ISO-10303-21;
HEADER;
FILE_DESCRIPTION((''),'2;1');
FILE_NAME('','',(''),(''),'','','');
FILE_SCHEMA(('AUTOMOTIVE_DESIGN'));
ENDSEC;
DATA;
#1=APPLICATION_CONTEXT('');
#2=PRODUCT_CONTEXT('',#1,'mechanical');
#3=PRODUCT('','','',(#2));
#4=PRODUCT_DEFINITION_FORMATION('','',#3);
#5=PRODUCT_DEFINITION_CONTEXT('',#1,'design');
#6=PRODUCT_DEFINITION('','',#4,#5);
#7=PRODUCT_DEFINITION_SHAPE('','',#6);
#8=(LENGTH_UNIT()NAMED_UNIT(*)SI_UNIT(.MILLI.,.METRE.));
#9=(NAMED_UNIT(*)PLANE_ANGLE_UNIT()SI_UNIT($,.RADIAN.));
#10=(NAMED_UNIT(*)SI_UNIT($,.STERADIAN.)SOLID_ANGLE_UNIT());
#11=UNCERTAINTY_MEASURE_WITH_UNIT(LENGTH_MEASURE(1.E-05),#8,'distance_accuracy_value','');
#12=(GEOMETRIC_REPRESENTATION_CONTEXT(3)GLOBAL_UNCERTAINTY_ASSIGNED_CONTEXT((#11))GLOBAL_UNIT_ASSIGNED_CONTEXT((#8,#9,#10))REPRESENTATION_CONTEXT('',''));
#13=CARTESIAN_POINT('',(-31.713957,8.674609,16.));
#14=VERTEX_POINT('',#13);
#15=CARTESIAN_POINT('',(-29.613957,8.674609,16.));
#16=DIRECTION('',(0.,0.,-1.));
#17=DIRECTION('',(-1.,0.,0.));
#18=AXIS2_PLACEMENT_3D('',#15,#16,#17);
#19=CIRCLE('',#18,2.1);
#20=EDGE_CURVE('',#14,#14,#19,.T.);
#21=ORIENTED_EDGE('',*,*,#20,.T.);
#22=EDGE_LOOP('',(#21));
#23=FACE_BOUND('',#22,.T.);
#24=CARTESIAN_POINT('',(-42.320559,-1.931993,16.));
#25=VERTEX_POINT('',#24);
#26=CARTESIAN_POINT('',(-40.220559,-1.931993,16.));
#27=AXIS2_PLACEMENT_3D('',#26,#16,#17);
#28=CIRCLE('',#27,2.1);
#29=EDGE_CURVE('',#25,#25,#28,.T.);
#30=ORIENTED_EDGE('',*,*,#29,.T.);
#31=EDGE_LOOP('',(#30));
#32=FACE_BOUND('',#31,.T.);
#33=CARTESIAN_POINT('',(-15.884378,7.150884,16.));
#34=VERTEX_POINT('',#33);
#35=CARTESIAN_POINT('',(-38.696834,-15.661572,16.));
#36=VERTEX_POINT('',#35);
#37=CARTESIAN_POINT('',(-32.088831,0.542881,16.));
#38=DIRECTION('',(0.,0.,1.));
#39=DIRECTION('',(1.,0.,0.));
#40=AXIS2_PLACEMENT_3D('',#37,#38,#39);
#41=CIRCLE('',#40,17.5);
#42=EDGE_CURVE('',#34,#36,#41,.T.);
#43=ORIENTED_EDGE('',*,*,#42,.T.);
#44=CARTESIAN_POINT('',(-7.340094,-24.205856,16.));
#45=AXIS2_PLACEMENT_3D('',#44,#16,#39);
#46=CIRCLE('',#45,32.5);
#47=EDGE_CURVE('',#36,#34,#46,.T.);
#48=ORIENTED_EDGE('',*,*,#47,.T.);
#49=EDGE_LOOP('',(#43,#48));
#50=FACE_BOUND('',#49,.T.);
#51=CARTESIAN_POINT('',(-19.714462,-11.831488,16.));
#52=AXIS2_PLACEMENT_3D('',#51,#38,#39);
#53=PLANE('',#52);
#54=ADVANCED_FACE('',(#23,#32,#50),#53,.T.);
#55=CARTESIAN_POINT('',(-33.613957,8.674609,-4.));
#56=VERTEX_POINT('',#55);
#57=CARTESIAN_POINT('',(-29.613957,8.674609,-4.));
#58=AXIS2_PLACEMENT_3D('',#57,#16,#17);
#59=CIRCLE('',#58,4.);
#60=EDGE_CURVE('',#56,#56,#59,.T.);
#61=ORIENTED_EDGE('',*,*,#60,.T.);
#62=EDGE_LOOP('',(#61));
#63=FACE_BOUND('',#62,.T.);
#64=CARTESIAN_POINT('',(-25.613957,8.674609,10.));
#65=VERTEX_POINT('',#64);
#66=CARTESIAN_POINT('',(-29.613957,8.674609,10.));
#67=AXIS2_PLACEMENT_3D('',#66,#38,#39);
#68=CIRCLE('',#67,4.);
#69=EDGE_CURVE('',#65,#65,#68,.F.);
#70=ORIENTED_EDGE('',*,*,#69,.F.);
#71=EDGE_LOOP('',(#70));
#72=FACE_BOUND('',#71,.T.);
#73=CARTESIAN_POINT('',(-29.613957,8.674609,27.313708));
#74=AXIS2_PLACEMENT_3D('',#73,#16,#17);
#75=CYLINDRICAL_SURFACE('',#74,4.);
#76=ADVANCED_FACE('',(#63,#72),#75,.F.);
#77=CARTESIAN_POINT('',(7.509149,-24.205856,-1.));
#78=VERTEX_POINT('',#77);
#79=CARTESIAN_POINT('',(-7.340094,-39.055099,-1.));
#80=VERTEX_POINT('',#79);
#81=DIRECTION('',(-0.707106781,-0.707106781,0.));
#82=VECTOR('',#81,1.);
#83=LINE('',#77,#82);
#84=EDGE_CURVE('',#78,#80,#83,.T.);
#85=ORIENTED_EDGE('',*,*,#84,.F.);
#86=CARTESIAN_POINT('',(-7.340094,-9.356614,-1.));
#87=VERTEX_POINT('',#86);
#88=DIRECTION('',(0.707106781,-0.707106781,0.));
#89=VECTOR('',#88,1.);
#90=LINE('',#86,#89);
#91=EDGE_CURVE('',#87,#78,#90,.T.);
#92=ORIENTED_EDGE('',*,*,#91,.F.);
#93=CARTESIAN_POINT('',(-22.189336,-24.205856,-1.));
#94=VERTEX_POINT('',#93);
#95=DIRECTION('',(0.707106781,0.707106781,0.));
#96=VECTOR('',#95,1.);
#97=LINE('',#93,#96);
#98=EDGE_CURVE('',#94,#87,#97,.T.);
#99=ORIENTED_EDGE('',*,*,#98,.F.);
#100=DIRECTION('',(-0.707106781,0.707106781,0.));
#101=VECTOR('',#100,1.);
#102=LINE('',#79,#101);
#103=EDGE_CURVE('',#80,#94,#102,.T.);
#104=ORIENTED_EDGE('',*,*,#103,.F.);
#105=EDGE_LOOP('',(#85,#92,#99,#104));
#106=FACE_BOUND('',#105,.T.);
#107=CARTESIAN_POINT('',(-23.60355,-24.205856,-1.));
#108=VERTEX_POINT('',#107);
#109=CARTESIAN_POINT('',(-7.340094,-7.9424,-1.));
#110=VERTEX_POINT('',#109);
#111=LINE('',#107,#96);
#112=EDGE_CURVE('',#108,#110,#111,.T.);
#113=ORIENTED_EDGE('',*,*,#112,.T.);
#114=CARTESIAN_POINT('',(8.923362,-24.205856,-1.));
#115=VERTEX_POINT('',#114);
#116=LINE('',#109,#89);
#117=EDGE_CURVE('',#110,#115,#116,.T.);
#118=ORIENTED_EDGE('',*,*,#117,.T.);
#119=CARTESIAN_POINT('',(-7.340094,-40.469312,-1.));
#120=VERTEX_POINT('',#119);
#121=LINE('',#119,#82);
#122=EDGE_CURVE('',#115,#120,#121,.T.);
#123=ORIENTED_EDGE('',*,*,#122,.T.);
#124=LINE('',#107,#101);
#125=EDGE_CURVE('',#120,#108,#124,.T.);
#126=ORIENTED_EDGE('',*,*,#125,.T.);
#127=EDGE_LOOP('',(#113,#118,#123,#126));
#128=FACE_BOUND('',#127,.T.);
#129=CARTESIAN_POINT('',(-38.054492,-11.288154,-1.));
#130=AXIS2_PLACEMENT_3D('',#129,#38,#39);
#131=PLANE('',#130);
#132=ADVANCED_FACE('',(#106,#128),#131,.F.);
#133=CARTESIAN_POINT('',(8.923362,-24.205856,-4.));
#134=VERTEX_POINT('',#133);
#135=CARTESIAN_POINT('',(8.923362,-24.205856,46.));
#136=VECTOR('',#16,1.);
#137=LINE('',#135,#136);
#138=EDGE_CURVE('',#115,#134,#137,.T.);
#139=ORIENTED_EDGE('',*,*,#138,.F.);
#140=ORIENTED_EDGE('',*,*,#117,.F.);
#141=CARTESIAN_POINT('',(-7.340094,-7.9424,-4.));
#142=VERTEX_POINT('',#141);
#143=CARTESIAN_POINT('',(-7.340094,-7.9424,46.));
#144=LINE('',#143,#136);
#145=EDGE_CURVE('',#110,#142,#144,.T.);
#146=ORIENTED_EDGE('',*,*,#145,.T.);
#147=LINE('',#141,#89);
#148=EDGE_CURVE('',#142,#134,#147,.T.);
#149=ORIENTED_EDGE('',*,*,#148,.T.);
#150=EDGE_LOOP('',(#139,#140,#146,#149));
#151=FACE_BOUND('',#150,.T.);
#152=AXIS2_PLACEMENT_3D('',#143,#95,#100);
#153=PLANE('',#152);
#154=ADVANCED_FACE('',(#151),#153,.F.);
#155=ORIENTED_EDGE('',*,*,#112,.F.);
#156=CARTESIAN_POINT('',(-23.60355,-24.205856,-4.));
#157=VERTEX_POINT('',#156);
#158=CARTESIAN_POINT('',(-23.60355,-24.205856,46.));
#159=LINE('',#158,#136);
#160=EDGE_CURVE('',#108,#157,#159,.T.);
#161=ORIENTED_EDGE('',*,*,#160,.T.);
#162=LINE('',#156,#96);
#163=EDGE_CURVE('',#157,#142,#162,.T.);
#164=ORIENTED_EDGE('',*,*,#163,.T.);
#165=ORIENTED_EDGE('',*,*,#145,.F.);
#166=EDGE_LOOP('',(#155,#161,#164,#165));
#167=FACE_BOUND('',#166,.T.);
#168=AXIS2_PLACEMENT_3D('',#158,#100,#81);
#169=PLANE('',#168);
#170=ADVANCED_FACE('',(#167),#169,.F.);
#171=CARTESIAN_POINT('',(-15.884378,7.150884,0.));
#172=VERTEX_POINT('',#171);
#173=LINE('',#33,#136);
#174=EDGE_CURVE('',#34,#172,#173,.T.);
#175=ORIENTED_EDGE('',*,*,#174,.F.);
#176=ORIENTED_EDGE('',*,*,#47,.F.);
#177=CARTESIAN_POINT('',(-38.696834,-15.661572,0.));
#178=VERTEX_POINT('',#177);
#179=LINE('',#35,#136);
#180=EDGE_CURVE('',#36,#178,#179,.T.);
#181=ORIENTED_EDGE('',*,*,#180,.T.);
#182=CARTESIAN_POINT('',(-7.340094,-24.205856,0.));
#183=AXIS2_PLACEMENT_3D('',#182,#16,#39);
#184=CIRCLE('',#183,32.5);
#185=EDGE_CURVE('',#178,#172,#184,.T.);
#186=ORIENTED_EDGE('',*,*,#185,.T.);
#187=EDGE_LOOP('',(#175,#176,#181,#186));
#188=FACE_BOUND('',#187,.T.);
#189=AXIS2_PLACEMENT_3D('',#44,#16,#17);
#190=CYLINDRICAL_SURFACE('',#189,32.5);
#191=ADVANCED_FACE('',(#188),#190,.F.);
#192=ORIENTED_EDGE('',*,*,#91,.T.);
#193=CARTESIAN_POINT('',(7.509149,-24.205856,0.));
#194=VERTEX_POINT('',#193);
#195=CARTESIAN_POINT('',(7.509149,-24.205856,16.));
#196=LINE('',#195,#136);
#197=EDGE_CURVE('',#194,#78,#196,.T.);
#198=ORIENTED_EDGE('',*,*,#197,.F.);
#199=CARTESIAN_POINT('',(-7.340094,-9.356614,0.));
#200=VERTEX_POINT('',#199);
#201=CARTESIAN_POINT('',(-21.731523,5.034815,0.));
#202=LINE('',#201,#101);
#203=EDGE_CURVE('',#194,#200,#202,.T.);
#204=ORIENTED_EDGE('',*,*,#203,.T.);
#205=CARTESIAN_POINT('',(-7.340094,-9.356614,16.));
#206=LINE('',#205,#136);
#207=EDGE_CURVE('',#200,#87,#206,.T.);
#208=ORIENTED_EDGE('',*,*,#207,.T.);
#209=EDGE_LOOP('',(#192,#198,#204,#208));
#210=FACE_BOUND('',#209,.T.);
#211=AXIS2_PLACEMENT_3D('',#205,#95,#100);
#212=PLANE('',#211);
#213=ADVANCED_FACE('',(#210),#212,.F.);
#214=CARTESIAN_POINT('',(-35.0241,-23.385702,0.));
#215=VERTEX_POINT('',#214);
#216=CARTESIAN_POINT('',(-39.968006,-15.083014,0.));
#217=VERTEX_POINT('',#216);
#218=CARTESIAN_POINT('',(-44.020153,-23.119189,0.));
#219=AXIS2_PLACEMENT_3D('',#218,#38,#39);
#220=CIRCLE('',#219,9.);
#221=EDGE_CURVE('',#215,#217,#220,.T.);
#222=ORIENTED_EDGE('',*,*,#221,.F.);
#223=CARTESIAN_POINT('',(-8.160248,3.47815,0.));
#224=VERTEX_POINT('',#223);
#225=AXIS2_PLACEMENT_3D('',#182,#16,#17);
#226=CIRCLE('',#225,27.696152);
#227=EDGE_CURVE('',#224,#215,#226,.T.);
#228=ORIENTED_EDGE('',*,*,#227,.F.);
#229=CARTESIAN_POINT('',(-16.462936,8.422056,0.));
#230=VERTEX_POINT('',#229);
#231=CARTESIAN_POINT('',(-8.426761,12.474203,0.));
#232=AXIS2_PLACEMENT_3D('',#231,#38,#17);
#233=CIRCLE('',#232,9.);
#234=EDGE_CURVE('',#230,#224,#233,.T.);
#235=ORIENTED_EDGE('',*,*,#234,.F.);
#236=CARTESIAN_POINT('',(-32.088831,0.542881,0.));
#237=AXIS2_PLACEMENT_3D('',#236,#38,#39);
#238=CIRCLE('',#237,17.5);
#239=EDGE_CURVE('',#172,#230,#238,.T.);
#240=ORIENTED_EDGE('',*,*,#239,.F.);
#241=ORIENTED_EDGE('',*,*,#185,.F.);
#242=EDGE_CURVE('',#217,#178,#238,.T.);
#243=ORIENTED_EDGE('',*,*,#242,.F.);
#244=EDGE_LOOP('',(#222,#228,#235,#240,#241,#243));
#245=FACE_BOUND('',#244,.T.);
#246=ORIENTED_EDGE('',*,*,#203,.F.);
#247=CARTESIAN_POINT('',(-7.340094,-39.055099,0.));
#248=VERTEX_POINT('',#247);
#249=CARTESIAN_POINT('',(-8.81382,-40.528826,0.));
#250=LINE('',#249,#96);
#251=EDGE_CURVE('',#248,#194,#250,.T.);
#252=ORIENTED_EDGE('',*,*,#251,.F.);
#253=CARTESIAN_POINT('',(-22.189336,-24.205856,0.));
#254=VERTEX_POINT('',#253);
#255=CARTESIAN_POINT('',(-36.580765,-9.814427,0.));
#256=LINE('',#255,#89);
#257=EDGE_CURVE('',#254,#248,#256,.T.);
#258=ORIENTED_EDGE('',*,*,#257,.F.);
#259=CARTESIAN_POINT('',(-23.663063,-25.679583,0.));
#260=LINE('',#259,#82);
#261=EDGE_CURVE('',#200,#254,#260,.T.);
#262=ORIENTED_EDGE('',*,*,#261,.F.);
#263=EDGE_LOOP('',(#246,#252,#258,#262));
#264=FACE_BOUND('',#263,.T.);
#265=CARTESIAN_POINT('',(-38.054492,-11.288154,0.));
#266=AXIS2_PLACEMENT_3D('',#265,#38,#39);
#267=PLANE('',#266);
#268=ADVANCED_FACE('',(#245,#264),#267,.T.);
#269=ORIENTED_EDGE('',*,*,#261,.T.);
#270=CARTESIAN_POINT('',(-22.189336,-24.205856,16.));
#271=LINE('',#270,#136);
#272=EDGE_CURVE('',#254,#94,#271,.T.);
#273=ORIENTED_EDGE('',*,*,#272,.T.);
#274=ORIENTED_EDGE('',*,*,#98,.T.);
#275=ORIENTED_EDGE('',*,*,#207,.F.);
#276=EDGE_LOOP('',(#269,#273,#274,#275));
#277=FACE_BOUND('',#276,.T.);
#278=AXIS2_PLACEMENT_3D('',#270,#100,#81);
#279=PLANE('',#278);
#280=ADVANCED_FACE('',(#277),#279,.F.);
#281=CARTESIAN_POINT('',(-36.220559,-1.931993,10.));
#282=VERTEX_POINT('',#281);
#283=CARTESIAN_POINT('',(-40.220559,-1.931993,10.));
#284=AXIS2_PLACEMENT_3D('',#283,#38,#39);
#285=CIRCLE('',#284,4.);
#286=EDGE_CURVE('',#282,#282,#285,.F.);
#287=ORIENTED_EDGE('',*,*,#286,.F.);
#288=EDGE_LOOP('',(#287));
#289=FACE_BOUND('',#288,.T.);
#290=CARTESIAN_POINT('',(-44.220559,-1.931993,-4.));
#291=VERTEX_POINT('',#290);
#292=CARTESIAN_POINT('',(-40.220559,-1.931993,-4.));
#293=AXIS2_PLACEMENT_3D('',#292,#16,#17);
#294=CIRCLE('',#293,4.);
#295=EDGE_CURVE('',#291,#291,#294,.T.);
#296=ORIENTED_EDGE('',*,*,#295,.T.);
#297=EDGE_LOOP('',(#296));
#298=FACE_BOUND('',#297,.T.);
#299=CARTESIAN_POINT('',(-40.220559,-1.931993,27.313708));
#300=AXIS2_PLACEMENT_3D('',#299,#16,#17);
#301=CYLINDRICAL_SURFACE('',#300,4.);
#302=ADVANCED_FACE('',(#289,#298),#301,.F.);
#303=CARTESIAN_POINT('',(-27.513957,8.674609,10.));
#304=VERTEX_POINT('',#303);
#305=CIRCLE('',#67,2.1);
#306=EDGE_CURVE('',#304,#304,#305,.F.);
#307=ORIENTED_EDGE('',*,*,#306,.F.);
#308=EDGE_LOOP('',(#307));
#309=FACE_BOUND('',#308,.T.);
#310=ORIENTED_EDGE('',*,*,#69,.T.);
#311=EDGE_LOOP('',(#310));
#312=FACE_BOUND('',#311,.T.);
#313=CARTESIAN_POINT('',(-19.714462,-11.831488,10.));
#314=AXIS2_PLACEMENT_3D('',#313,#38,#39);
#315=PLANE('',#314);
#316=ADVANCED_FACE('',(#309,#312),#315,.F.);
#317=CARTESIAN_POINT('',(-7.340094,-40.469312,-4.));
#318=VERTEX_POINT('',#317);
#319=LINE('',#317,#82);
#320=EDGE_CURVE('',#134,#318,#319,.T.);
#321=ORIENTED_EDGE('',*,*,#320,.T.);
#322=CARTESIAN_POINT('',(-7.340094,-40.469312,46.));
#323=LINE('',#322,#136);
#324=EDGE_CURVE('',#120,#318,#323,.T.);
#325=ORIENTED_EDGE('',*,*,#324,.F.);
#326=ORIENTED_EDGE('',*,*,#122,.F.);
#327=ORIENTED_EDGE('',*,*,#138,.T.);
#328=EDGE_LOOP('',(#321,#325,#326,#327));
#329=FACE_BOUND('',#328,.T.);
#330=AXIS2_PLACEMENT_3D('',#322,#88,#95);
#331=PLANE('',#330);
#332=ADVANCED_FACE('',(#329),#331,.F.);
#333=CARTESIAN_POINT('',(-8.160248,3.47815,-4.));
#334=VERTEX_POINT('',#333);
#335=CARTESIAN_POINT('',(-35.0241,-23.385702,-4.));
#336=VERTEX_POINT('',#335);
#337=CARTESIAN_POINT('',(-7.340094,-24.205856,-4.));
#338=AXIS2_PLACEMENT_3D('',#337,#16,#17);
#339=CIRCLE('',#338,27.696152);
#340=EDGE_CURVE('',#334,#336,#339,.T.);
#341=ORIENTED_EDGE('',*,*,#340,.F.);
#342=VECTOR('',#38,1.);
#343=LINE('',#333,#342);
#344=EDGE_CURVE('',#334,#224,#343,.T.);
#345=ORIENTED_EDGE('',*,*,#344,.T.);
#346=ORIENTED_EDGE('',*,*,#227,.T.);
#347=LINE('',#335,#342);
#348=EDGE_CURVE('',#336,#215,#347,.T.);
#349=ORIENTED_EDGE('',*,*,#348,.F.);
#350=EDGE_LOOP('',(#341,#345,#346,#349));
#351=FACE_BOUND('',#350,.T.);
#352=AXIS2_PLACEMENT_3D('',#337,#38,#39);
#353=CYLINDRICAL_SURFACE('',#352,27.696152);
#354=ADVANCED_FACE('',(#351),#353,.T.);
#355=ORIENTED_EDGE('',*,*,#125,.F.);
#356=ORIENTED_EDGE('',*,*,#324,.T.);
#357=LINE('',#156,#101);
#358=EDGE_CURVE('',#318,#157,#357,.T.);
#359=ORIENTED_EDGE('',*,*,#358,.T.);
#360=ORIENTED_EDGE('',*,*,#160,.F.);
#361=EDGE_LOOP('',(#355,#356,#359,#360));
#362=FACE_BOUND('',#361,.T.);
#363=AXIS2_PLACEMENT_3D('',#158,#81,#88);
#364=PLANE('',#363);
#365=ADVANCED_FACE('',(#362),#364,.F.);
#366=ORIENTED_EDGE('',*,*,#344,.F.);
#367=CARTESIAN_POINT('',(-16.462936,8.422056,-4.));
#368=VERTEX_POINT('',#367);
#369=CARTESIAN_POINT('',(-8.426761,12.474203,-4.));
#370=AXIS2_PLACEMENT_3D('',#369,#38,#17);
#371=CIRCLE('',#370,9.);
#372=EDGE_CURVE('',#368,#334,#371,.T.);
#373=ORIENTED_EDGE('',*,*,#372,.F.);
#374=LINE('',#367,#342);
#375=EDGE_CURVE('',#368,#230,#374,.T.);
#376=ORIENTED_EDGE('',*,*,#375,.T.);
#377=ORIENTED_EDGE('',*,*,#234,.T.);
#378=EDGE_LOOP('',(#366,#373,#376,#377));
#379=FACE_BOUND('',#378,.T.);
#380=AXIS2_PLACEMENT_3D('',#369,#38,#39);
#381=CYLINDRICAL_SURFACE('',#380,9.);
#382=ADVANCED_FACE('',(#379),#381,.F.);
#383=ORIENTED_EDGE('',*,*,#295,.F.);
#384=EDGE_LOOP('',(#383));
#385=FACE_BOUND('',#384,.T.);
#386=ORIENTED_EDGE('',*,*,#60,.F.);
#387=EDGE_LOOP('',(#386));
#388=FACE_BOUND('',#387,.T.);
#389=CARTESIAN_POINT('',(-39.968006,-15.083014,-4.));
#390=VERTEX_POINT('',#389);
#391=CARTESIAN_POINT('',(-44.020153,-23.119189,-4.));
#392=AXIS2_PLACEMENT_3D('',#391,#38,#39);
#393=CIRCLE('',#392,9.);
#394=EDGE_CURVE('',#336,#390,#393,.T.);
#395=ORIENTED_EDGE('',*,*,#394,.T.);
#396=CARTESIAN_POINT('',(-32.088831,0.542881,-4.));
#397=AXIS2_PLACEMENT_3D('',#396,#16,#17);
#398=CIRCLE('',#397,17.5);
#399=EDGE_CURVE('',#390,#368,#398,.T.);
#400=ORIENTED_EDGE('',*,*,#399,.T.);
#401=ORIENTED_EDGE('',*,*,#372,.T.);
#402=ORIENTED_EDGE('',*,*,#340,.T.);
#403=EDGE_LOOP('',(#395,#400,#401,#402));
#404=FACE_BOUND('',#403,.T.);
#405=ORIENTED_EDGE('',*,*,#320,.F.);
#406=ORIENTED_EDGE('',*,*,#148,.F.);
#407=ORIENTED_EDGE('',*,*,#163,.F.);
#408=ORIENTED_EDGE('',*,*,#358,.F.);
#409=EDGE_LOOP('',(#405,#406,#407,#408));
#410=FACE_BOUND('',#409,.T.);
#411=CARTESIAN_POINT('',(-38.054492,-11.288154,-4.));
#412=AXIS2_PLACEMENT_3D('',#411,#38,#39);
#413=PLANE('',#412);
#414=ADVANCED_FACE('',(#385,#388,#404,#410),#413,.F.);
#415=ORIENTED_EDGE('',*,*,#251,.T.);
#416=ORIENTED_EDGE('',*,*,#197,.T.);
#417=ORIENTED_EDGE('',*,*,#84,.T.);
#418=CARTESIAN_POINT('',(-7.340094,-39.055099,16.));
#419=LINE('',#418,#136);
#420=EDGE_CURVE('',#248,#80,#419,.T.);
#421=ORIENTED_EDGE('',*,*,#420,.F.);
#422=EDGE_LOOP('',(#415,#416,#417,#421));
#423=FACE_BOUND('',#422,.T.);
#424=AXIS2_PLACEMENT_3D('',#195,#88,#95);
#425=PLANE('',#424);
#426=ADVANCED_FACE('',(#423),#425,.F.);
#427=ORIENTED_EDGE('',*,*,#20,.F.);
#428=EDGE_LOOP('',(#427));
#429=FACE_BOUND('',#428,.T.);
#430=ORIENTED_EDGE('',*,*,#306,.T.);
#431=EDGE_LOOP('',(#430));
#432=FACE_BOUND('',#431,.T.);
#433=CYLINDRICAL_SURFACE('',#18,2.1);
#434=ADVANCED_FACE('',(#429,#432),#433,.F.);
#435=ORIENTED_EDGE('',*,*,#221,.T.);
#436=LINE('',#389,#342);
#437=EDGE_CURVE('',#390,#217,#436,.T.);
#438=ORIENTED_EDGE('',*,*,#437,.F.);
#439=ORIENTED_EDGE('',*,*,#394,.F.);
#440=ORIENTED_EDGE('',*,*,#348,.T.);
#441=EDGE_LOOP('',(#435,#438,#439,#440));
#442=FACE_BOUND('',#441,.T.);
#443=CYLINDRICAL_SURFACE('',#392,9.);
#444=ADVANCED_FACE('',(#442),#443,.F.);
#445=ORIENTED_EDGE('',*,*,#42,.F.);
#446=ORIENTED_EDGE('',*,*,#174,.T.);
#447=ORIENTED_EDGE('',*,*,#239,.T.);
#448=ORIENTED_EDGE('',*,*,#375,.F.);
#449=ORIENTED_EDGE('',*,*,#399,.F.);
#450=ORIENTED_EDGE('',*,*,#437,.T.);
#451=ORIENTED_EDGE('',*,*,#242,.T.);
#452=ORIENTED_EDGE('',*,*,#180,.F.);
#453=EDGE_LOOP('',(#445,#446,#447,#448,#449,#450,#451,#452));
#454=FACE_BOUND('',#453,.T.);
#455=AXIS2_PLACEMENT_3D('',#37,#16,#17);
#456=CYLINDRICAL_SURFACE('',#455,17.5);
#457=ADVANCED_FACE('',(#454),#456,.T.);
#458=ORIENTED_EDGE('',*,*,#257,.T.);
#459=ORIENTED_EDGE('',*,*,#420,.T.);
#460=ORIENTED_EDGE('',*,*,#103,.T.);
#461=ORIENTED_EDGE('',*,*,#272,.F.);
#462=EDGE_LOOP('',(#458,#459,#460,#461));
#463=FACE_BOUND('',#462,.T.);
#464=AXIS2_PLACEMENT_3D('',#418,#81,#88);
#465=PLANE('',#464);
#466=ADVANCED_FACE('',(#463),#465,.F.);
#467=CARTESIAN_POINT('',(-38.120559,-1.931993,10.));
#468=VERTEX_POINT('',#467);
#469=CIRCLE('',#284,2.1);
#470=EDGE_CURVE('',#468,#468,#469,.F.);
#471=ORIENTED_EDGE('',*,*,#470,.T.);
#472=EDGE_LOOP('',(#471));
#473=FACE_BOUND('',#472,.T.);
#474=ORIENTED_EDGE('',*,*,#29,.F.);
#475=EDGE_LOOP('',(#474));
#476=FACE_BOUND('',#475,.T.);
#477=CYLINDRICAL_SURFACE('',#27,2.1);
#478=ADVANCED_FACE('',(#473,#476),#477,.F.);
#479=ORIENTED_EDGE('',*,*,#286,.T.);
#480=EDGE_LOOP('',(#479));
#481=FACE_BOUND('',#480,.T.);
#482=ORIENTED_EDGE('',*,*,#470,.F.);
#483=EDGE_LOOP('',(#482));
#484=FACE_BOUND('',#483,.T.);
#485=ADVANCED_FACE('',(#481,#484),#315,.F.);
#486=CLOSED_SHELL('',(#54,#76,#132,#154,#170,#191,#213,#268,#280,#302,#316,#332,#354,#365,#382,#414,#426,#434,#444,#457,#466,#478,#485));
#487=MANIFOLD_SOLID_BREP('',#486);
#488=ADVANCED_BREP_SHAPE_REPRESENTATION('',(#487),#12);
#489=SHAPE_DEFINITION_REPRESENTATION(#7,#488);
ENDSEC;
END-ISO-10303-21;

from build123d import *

# Parameters (mm, degrees)
BOSS_EXTRUDE1_DEPTH = 16
BOSS_EXTRUDE2_DEPTH = 4
SKETCH3_R           = 2.1
CUT_EXTRUDE1_DEPTH  = 21
SKETCH4_R           = 4
CUT_EXTRUDE2_DEPTH  = 14
CUT_EXTRUDE3_DEPTH  = 3
CUT_EXTRUDE4_DEPTH  = 18


with BuildPart() as part:
    # Sketch1 → Boss-Extrude1 (new body)
    with BuildSketch(Plane.XY):
        with BuildLine():
            ThreePointArc((-15.884378154, 7.150884492), (-44.46319957, 12.91724959), (-38.696834472, -15.661571826))
            ThreePointArc((-38.696834472, -15.661571826), (-30.321063947, -1.224886034), (-15.884378154, 7.150884492))
        make_face()
    extrude(amount=BOSS_EXTRUDE1_DEPTH)

    # Sketch2 → Boss-Extrude2 (add)
    with BuildSketch(Plane(origin=(0, 0, 0), x_dir=(-1, 0, 0), z_dir=(0, 0, -1))):
        with BuildLine():
            ThreePointArc((8.160247818, 3.478149899), (-12.244043633, -43.789993613), (35.024099879, -23.385702162))
            ThreePointArc((35.024099879, -23.385702162), (36.287266145, -18.514575936), (39.968005835, -15.08301433))
            ThreePointArc((39.968005835, -15.08301433), (44.46319957, 12.91724959), (16.46293565, 8.422055855))
            ThreePointArc((16.46293565, 8.422055855), (13.031374044, 4.741316164), (8.160247818, 3.478149899))
        make_face()
    extrude(amount=BOSS_EXTRUDE2_DEPTH)

    # Sketch3 → Cut-Extrude1 (cut, through all)
    with BuildSketch(Plane(origin=(0, 0, -4), x_dir=(-1, 0, 0), z_dir=(0, 0, -1))):
        with Locations((40.220558883, -1.931992815)):
            Circle(SKETCH3_R)
        with Locations((29.613957165, 8.674608903)):
            Circle(SKETCH3_R)
    extrude(amount=-CUT_EXTRUDE1_DEPTH, mode=Mode.SUBTRACT)

    # Sketch4 → Cut-Extrude2 (cut)
    with BuildSketch(Plane(origin=(0, 0, -4), x_dir=(-1, 0, 0), z_dir=(0, 0, -1))):
        with Locations((40.220558883, -1.931992815)):
            Circle(SKETCH4_R)
        with Locations((29.613957165, 8.674608903)):
            Circle(SKETCH4_R)
    extrude(amount=-CUT_EXTRUDE2_DEPTH, mode=Mode.SUBTRACT)

    # Sketch5 → Cut-Extrude3 (cut)
    with BuildSketch(Plane(origin=(0, 0, -4), x_dir=(-1, 0, 0), z_dir=(0, 0, -1))):
        Polygon((23.603549525, -24.205856422), (7.340093558, -7.942400455), (-8.923362409, -24.205856422), (7.340093558, -40.46931239), align=None)
    extrude(amount=-CUT_EXTRUDE3_DEPTH, mode=Mode.SUBTRACT)

    # Sketch6 → Cut-Extrude4 (cut, through all)
    with BuildSketch(Plane(origin=(0, 0, -1), x_dir=(-1, 0, 0), z_dir=(0, 0, -1))):
        Polygon((7.340093558, -39.055098827), (22.189335963, -24.205856422), (7.340093558, -9.356614017), (-7.509148847, -24.205856422), align=None)
    extrude(amount=-CUT_EXTRUDE4_DEPTH, mode=Mode.SUBTRACT)


solid = part.part
